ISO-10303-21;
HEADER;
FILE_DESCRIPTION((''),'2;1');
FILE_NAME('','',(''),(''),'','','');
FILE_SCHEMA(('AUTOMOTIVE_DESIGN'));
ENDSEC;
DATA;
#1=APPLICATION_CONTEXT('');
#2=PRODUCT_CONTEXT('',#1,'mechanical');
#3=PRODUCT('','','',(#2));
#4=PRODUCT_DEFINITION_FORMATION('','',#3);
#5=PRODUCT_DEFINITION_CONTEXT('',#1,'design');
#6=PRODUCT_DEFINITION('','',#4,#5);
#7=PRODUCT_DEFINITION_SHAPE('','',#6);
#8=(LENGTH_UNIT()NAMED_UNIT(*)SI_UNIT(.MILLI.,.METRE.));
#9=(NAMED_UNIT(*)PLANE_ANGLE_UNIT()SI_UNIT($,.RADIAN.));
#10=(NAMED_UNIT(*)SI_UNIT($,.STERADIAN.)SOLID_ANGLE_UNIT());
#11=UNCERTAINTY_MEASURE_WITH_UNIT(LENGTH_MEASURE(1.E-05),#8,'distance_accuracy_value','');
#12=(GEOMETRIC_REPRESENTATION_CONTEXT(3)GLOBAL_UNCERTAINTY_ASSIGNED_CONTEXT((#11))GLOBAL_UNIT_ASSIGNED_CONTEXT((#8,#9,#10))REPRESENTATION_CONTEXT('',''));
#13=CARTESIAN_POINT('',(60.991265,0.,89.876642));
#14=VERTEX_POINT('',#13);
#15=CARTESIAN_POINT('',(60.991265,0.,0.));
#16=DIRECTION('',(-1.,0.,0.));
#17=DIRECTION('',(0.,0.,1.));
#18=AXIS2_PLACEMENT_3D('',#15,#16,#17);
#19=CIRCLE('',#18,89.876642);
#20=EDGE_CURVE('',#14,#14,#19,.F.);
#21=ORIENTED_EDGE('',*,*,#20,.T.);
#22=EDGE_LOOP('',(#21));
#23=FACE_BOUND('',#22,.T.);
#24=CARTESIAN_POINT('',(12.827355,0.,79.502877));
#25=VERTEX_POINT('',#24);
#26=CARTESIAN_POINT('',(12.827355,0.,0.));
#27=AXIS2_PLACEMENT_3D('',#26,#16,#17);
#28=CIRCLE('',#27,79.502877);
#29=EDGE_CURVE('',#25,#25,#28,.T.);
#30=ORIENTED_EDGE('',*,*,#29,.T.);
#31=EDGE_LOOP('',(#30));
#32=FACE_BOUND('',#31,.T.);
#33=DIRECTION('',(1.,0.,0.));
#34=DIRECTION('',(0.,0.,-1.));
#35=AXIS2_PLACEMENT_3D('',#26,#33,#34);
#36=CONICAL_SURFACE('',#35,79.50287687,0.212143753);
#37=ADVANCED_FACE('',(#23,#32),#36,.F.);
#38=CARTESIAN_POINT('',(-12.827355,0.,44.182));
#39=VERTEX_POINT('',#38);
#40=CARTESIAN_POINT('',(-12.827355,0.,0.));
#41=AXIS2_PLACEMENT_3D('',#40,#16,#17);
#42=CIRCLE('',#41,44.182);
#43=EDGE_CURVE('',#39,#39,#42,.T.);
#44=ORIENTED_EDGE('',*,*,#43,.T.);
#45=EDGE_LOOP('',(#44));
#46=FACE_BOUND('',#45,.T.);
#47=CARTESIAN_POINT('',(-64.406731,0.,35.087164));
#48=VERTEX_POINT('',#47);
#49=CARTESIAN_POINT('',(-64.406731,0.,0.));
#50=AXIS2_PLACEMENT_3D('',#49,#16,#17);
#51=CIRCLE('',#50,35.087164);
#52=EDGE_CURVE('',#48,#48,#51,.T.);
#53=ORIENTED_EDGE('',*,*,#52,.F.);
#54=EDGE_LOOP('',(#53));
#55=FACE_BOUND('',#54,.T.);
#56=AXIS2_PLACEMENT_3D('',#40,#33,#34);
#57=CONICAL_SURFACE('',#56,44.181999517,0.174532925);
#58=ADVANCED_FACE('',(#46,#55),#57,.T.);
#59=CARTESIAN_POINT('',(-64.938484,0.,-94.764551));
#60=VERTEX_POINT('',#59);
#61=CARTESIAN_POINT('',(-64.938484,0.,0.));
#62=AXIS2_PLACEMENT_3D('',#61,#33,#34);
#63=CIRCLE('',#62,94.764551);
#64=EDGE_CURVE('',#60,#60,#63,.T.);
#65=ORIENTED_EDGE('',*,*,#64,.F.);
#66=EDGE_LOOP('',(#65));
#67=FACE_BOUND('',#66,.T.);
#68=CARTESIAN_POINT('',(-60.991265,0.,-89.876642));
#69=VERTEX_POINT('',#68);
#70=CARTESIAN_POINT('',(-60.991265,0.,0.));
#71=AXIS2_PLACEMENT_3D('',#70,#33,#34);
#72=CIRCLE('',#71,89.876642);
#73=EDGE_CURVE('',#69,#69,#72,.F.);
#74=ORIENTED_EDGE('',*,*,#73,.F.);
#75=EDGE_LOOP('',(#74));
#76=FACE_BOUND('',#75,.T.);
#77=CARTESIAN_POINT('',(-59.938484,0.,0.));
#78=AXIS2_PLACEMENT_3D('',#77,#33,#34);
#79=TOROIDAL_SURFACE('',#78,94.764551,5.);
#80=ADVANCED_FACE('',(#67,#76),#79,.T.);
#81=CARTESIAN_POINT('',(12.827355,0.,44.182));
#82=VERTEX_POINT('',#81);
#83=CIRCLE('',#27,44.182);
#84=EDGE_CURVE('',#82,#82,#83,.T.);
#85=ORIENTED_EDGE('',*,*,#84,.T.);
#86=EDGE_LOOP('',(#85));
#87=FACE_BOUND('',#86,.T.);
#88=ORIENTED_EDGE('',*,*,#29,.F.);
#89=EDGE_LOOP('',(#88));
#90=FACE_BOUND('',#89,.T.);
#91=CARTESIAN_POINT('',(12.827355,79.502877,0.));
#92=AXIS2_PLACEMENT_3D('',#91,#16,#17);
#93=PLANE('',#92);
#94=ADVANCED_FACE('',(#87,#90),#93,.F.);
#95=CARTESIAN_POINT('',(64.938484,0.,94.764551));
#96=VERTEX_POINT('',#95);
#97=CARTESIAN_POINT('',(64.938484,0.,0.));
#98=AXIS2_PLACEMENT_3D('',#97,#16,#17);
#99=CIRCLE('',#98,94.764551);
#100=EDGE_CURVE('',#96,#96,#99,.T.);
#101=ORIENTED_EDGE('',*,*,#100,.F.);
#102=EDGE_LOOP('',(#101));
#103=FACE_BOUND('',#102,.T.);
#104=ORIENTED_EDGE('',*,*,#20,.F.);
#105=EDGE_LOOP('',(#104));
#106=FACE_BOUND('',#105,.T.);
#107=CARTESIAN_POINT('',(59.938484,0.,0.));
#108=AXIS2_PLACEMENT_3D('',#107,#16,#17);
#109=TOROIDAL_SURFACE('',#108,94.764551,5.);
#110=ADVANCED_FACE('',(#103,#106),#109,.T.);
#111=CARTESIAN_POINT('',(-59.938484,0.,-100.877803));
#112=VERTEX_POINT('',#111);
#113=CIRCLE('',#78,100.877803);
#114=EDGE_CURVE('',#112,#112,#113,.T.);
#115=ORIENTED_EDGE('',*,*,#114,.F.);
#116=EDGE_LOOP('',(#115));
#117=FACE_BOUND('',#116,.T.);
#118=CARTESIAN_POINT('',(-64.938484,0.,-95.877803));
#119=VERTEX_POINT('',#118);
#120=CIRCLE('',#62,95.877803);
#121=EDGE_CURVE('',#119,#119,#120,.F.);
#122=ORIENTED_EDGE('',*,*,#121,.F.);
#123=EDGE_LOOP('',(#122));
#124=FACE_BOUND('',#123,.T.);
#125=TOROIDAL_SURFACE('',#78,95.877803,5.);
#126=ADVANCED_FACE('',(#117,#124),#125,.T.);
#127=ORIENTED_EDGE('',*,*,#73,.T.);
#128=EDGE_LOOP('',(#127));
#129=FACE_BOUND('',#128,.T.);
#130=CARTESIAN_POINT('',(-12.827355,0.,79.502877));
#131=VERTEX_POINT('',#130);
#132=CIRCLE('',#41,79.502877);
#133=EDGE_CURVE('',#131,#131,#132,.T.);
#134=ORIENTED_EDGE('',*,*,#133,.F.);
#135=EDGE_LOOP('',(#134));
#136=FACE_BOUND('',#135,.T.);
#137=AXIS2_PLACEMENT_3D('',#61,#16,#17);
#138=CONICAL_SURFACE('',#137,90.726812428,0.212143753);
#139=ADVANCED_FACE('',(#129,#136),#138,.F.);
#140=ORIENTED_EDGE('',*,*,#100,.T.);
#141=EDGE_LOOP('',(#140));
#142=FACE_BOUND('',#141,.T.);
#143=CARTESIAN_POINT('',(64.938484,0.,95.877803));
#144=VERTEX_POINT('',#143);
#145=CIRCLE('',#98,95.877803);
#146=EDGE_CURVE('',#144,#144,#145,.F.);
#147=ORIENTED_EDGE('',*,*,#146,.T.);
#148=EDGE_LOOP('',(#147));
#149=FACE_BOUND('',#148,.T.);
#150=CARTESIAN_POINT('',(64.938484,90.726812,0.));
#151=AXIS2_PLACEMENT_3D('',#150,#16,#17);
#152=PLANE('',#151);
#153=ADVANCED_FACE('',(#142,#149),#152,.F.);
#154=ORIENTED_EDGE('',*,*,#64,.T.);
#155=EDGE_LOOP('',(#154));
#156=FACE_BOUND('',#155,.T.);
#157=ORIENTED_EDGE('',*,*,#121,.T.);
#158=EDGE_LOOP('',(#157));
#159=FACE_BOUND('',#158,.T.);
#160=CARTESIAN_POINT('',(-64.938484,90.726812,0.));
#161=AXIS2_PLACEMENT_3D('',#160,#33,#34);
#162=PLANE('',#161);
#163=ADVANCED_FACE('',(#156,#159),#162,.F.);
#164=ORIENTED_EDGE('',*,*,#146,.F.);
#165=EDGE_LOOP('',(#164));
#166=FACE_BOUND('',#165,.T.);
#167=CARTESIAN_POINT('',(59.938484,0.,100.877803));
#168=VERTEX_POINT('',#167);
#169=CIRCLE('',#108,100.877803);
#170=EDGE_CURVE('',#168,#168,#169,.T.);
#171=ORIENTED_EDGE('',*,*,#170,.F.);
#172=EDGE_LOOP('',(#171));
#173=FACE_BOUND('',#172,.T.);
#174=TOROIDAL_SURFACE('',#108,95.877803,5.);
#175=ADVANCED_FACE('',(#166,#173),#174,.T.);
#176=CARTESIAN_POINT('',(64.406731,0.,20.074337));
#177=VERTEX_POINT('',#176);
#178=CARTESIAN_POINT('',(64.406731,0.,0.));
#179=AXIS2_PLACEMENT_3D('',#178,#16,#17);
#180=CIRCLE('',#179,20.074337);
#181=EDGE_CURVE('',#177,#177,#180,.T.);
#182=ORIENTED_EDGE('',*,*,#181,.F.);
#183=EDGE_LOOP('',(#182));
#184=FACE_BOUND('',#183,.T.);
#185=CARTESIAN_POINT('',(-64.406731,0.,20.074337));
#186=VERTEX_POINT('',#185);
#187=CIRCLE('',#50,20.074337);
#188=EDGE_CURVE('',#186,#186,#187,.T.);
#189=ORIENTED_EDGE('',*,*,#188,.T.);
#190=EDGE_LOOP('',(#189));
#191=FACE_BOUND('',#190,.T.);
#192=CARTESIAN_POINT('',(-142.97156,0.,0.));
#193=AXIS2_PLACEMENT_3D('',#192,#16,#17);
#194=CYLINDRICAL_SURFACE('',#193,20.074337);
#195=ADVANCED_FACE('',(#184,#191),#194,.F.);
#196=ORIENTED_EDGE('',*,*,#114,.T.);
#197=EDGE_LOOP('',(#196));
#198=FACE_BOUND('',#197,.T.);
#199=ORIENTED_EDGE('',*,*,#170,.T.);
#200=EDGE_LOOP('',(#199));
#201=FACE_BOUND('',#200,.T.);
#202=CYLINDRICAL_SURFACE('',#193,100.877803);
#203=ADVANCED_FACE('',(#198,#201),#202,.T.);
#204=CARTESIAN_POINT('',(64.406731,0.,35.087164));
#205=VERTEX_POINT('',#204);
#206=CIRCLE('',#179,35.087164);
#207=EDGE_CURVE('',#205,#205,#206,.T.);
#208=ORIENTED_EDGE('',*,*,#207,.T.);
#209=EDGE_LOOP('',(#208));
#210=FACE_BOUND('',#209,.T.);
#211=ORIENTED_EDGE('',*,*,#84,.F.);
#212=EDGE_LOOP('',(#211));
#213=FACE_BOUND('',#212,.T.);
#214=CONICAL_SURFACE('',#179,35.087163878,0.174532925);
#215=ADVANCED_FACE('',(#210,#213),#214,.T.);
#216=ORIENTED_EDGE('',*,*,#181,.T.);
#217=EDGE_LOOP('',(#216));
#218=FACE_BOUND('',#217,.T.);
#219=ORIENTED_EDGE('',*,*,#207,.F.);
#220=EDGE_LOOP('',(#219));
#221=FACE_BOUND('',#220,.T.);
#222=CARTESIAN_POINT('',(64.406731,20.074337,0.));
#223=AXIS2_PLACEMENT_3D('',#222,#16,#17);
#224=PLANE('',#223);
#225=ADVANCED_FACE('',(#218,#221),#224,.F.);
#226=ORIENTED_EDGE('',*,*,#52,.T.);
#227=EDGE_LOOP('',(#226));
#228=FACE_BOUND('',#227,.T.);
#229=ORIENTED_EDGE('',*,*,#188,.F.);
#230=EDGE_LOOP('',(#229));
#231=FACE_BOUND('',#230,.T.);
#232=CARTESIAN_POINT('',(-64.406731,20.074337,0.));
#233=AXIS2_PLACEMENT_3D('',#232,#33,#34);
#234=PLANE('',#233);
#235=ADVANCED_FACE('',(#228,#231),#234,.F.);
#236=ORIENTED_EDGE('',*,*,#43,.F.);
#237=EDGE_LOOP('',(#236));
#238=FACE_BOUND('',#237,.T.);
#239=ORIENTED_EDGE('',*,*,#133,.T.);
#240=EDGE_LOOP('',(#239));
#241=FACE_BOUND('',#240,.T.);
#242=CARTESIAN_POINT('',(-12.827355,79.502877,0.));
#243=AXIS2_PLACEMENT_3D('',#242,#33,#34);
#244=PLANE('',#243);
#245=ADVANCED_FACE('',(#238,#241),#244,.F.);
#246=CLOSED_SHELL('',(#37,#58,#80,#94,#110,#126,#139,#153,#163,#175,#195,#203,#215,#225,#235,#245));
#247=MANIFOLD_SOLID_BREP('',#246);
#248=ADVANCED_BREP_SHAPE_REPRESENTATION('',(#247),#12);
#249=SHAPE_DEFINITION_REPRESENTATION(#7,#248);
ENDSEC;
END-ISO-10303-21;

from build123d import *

# Parameters (mm, degrees)
FILLET1_R = 5
FILLET2_R = 5
FILLET3_R = 5


with BuildPart() as part:
    # Sketch1 → Revolve1 (revolve)
    with BuildSketch(Plane.XY, mode=Mode.PRIVATE) as revolve1_sk:
        Polygon((64.406730934, 20.074337298), (64.406730934, 35.087163878), (12.827354924, 44.181999517), (12.827354924, 79.50287687), (64.938484301, 90.726812428), (64.938484301, 100.877802998), (-64.938484301, 100.877802998), (-64.938484301, 90.726812428), (-12.827354924, 79.50287687), (-12.827354924, 44.181999517), (-64.406730934, 35.087163878), (-64.406730934, 20.074337298), align=None)
    revolve(revolve1_sk.sketch.rotate(Axis((-142.971560085, 0, 0), (1, 0, 0)), 90), axis=Axis((-142.971560085, 0, 0), (1, 0, 0)))

    # Fillet1
    fillet1_edges = [part.edges().sort_by_distance(p)[0] for p in [
        (-64.938484301, 0, -100.877802998),
    ]]
    fillet(fillet1_edges, radius=FILLET1_R)

    # Fillet2
    fillet2_edges = [part.edges().sort_by_distance(p)[0] for p in [
        (64.938484301, 0, -90.726812428),
        (64.938484301, 0, -100.877802998),
    ]]
    fillet(fillet2_edges, radius=FILLET2_R)

    # Fillet3
    fillet3_edges = [part.edges().sort_by_distance(p)[0] for p in [
        (-64.938484301, 0, -90.726812428),
    ]]
    fillet(fillet3_edges, radius=FILLET3_R)


solid = part.part
